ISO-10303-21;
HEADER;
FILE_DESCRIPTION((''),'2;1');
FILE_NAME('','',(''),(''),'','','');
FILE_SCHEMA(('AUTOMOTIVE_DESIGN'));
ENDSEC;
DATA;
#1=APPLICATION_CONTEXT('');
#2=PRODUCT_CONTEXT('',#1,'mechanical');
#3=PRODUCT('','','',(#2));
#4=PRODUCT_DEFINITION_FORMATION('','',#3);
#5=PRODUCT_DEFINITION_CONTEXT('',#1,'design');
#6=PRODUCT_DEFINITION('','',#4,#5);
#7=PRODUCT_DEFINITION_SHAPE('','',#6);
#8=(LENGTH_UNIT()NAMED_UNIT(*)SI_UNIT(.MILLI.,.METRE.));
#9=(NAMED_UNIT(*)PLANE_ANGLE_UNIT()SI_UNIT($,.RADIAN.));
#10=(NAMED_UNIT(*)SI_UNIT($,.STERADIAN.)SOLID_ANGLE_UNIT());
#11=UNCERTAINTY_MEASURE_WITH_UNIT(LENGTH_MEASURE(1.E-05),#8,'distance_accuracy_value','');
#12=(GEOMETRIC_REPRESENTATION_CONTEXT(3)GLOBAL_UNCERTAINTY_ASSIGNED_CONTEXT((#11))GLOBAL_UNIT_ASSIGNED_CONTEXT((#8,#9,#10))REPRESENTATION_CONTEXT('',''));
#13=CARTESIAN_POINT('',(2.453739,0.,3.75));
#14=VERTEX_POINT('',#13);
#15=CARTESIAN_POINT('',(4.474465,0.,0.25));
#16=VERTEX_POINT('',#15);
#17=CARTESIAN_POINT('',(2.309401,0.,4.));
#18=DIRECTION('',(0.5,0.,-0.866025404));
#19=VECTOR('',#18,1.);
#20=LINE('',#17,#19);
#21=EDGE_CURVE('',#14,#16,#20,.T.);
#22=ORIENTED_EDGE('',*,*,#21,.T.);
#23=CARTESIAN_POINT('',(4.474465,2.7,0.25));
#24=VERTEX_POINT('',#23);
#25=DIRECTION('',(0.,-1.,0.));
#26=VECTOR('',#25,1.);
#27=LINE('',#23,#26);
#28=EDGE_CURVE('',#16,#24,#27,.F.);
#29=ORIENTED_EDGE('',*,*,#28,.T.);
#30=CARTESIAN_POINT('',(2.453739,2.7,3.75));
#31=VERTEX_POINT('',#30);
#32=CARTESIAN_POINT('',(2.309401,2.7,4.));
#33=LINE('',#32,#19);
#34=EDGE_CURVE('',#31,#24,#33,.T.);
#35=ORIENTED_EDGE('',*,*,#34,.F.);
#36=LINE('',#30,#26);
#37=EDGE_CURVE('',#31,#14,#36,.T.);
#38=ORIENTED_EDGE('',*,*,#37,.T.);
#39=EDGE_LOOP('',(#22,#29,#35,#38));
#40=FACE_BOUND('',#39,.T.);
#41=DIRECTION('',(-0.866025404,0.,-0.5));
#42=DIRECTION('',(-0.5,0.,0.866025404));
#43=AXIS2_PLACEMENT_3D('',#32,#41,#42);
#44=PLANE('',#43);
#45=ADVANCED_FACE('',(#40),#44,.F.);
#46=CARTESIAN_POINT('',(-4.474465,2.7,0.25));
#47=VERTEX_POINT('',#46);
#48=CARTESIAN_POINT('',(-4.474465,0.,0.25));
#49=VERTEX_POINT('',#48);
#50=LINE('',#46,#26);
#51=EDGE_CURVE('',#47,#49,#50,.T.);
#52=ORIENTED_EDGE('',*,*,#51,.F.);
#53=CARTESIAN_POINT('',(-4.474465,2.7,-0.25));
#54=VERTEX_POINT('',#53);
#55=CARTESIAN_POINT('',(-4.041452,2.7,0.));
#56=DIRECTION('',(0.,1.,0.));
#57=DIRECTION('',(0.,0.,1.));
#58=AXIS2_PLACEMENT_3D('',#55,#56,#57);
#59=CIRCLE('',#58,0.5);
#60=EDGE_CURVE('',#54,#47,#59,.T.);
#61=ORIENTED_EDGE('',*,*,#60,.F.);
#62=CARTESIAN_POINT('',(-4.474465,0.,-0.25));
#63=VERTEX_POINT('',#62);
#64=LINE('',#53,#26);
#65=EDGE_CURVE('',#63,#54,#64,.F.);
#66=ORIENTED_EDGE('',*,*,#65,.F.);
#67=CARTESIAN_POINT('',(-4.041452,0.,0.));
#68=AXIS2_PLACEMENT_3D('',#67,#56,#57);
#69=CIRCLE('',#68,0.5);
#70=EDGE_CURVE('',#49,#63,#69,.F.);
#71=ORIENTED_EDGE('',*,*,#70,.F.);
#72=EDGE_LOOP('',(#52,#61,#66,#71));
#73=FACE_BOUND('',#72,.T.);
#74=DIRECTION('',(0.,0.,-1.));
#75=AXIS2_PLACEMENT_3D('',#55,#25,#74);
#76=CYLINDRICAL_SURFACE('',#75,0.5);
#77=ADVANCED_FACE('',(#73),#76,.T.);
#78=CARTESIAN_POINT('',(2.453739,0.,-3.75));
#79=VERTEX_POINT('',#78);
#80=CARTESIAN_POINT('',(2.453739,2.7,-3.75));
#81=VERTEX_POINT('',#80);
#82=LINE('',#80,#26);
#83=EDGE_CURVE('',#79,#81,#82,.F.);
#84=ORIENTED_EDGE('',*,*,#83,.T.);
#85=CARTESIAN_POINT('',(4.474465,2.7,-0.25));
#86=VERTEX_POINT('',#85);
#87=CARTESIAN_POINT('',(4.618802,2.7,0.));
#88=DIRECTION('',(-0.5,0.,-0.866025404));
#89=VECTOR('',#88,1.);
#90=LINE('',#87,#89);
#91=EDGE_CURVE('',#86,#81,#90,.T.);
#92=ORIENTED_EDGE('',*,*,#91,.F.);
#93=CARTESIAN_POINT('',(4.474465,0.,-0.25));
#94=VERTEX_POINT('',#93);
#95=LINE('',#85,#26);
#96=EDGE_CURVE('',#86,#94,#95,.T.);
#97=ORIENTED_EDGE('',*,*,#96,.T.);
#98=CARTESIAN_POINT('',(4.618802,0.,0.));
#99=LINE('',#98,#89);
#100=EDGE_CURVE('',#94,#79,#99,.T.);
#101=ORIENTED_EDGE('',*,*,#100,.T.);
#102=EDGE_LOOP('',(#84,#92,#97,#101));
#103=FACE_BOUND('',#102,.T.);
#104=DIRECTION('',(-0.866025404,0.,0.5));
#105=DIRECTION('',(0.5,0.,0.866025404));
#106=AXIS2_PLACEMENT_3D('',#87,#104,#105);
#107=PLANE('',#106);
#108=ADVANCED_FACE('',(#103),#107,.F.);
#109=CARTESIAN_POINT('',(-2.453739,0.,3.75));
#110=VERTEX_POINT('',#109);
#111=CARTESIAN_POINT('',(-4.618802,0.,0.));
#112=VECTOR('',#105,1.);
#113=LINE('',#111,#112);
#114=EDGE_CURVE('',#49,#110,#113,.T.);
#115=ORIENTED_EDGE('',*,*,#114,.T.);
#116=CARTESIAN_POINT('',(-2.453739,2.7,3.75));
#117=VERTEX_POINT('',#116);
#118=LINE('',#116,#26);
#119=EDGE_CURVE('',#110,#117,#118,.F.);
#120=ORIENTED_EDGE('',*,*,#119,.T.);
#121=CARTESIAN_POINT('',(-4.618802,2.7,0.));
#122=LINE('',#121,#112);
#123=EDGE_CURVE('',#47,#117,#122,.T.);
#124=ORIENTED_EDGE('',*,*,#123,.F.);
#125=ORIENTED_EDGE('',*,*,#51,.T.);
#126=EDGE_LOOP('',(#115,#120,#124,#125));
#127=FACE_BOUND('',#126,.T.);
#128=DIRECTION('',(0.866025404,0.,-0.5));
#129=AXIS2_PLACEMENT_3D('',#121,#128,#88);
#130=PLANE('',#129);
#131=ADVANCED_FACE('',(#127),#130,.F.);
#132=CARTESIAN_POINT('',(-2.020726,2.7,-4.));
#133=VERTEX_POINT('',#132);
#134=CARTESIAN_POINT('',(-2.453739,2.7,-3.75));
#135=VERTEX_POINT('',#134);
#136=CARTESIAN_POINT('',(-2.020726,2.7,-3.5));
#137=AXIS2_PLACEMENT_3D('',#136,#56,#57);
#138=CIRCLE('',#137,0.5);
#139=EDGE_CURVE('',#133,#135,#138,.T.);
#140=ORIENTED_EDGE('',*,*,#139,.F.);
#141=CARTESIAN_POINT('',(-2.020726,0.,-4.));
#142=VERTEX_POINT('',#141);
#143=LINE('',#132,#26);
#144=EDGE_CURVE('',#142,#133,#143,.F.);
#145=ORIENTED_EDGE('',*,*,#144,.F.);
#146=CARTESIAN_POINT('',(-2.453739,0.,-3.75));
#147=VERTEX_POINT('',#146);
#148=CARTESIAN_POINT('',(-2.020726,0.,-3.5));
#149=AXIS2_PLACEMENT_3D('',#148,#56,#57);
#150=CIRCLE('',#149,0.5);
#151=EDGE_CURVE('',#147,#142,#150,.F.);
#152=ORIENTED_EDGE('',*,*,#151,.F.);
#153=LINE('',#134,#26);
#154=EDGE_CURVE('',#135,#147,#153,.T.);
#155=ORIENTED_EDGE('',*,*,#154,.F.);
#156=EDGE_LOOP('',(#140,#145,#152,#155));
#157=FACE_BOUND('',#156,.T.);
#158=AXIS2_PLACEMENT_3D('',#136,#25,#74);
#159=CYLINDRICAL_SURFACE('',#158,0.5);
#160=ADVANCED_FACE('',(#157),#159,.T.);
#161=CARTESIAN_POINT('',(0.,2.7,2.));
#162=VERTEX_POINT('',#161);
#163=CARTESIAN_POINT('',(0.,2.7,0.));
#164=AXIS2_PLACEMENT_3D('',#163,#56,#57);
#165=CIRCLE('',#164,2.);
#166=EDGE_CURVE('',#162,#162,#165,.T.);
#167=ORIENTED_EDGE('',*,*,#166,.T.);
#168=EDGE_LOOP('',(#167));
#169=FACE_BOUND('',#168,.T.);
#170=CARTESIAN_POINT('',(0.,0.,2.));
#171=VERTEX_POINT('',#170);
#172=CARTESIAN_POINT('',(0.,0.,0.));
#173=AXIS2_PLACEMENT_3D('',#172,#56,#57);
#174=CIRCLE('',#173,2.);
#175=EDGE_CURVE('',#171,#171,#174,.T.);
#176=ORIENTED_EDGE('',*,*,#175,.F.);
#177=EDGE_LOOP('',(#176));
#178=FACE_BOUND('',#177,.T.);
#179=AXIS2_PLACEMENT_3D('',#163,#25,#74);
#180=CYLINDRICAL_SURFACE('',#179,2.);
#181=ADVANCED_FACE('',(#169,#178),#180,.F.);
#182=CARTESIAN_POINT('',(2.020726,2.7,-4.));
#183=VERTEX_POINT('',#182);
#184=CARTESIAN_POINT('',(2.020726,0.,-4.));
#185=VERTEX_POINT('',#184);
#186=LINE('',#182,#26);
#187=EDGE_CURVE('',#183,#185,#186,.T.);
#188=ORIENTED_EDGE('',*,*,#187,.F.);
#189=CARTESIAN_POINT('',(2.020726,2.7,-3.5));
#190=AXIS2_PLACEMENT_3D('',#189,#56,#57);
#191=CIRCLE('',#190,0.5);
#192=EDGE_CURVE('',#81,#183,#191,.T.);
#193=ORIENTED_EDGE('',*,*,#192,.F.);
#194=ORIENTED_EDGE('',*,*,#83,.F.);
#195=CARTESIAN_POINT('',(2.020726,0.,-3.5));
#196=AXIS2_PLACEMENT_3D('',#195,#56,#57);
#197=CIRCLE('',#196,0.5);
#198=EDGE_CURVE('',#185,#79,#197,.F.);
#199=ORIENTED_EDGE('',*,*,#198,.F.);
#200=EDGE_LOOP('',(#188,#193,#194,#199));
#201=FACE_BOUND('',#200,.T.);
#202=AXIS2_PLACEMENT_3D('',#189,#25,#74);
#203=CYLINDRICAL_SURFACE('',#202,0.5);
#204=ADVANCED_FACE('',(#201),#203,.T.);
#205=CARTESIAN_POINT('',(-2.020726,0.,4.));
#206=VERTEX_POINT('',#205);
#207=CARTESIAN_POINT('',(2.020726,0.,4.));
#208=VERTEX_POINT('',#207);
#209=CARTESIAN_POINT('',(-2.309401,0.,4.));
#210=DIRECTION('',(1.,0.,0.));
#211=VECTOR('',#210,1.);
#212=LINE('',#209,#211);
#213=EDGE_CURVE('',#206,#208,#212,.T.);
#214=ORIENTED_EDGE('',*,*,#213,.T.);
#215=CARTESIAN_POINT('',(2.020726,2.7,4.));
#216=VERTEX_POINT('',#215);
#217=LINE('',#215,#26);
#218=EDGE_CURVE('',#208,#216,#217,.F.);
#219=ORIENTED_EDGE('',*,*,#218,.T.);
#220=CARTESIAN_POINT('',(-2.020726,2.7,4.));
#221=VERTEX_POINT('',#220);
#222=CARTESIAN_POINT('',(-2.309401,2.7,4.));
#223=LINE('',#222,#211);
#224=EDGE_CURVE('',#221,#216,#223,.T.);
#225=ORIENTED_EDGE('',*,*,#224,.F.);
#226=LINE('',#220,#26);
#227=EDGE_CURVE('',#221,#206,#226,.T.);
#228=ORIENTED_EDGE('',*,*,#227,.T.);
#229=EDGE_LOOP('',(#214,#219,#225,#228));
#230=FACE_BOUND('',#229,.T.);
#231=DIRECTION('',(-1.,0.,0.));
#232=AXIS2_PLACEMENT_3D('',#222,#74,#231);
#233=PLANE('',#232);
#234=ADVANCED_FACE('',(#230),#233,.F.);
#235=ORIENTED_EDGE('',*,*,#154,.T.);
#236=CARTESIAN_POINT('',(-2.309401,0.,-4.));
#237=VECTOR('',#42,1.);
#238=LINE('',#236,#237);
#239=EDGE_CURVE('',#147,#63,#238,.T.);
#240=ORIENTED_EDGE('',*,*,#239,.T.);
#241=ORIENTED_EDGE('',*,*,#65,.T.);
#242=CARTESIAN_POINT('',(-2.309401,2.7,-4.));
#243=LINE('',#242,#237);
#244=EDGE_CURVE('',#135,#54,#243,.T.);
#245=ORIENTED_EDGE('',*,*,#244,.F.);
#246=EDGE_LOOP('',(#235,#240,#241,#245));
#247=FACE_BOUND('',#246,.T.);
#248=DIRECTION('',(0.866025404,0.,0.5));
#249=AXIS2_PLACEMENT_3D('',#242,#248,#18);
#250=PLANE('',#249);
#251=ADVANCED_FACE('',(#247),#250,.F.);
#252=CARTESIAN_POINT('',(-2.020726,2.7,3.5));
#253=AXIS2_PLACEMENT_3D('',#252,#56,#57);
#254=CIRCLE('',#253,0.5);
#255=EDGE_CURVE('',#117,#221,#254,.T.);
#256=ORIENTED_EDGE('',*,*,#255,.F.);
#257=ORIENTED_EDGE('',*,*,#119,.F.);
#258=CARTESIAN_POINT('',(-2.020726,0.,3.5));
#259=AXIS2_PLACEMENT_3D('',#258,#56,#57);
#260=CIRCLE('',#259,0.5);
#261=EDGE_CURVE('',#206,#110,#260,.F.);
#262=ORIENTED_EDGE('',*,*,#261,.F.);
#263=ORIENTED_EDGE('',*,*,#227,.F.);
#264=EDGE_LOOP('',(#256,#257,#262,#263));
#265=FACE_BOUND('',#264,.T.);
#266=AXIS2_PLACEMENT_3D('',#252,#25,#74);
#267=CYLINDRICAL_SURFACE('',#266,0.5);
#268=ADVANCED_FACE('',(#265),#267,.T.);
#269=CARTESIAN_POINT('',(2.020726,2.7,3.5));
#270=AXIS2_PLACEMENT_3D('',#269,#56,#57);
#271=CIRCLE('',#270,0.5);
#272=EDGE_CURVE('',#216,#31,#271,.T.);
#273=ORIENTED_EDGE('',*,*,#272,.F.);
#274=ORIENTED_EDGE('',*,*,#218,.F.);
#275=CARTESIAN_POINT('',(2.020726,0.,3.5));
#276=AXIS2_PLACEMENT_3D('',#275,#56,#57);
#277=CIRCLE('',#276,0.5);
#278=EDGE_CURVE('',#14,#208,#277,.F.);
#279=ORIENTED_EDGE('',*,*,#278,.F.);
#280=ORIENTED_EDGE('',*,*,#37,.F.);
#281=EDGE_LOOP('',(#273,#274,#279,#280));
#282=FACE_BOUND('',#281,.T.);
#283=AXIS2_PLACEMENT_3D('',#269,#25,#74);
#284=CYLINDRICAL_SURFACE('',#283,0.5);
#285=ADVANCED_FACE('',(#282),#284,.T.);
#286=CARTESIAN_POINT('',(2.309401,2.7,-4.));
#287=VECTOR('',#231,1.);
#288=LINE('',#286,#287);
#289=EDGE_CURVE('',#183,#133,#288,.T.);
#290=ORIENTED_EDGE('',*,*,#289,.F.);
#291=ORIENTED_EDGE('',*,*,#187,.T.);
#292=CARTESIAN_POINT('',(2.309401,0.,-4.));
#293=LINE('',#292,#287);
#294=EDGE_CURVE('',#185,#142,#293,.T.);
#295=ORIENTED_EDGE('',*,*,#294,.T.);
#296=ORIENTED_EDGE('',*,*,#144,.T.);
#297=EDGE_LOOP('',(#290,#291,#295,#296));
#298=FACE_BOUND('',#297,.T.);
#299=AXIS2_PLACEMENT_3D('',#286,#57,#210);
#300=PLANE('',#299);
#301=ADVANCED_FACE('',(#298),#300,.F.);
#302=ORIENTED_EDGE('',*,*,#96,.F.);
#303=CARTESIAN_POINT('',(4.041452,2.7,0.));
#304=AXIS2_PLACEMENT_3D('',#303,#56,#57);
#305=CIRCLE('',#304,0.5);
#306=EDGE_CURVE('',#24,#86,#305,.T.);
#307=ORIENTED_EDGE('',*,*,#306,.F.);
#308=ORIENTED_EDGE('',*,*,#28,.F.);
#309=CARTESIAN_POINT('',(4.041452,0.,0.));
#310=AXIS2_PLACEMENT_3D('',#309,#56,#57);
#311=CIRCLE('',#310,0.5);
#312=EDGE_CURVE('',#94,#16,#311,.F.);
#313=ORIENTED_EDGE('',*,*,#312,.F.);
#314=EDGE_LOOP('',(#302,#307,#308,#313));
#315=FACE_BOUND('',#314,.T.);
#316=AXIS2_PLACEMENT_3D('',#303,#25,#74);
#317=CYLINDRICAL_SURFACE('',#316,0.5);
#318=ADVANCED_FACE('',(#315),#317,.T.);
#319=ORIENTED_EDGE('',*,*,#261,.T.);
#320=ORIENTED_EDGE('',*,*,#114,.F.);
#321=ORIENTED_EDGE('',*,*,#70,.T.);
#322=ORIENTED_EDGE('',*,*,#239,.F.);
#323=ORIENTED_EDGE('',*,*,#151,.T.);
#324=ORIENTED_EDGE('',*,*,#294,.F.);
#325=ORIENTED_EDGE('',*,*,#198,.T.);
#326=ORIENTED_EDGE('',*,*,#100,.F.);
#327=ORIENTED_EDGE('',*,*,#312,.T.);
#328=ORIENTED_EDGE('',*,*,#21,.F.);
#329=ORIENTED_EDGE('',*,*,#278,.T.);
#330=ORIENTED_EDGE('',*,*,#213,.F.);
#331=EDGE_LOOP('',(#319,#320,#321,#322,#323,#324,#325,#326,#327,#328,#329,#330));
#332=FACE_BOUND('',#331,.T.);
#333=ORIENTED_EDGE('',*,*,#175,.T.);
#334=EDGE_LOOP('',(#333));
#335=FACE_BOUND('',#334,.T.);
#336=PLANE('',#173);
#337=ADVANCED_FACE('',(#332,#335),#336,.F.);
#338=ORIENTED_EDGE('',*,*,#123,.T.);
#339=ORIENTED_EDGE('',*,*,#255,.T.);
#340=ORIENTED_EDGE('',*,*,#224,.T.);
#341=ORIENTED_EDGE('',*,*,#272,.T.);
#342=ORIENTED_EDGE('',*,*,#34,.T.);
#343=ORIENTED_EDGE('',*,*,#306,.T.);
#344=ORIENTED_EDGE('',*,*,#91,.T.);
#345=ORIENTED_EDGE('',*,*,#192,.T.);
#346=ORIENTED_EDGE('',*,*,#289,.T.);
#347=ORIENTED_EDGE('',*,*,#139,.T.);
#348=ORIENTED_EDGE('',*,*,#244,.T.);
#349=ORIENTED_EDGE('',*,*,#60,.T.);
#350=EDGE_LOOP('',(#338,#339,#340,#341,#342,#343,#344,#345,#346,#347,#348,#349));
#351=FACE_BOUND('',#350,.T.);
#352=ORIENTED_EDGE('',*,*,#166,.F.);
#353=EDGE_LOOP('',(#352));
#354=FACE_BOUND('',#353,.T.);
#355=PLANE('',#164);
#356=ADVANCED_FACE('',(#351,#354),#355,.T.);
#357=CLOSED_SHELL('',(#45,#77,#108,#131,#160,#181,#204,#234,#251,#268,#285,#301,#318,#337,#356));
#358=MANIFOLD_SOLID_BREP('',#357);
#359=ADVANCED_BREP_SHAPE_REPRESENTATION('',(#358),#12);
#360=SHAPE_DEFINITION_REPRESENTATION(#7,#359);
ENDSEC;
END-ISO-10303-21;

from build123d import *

# Parameters (mm, degrees)
SKETCH_1_R      = 2
EXTRUDE_1_DEPTH = 2.7
FILLET_1_R      = 0.5


with BuildPart() as part:
    # Эскиз1 → Бобышка-Вытянуть1 (new body)
    with BuildSketch(Plane(origin=(0, 0, 0), x_dir=(1, 0, 0), z_dir=(0, 1, 0))):
        Polygon((4.618802154, 0), (2.309401077, 4), (-2.309401077, 4), (-4.618802154, 0), (-2.309401077, -4), (2.309401077, -4), align=None)
        Circle(SKETCH_1_R, mode=Mode.SUBTRACT)
    extrude(amount=EXTRUDE_1_DEPTH)

    # Скругление1
    fillet_1_edges = [part.edges().sort_by_distance(p)[0] for p in [
        (2.309401077, 1.35, 4),
        (-2.309401077, 1.35, 4),
        (-4.618802154, 1.35, 0),
        (-2.309401077, 1.35, -4),
        (2.309401077, 1.35, -4),
        (4.618802154, 1.35, 0),
    ]]
    fillet(fillet_1_edges, radius=FILLET_1_R)


solid = part.part
